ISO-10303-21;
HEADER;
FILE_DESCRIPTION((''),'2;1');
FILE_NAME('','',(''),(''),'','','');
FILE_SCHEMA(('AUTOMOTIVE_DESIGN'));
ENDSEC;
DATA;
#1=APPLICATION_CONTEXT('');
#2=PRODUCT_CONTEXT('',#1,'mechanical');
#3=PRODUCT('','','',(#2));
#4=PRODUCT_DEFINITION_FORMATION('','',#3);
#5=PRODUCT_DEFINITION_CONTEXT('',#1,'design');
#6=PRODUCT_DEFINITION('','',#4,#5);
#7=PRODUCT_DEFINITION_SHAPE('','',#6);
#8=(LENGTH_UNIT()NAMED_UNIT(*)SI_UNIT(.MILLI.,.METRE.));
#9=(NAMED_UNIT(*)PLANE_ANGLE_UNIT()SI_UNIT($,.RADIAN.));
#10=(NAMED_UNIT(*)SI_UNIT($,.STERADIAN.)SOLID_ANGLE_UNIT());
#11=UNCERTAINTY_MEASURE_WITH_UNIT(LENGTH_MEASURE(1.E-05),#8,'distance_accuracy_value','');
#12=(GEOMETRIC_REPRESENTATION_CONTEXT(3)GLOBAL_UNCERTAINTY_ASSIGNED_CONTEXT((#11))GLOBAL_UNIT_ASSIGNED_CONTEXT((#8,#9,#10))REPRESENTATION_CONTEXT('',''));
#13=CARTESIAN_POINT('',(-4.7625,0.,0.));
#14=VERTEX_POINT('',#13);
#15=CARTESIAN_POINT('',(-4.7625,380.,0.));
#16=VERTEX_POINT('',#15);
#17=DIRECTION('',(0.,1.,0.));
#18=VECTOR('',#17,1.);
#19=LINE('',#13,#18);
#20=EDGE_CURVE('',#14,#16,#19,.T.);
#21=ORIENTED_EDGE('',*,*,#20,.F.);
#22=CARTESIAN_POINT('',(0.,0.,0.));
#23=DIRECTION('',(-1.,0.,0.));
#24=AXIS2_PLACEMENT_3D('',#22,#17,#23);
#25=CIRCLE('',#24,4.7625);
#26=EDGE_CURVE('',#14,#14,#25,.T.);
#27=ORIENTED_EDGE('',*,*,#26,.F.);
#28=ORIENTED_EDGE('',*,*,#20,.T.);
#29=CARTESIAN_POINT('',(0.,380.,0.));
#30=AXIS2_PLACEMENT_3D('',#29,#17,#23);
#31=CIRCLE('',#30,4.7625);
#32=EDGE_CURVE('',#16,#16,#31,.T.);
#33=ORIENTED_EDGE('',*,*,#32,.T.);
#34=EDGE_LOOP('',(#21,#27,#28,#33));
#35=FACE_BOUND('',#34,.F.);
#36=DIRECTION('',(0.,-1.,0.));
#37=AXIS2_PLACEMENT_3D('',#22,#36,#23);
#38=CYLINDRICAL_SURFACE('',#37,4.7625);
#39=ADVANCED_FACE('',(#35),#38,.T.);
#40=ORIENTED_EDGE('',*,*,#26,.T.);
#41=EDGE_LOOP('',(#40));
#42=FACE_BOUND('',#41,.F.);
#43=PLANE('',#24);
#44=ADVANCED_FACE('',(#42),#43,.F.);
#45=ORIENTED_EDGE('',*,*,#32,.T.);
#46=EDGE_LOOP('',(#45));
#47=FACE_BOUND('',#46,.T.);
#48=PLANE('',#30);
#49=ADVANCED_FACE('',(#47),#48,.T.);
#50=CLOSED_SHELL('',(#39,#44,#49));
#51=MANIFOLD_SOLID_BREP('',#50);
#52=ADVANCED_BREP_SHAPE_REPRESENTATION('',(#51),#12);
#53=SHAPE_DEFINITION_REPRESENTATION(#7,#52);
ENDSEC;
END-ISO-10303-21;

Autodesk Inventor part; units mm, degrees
ref_plane "YZ Plane" through (0, 0, 0) normal (1, 0, 0) x (0, 1, 0)
ref_plane "XZ Plane" through (0, 0, 0) normal (0, 1, 0) x (-1, 0, 0)
ref_plane "XY Plane" through (0, 0, 0) normal (0, 0, 1) x (1, 0, 0)
sketch "Sketch1" plane through (0, 0, 0) normal (0, 1, 0) x (-1, 0, 0)
  circle A0 centre (0, 0) radius 4.7625
  dimension "d0" = 9.525
extrude "Extrusion1" add sketch "Sketch1" along normal blind 380
properties part number "y rod" material "Stainless Steel"
